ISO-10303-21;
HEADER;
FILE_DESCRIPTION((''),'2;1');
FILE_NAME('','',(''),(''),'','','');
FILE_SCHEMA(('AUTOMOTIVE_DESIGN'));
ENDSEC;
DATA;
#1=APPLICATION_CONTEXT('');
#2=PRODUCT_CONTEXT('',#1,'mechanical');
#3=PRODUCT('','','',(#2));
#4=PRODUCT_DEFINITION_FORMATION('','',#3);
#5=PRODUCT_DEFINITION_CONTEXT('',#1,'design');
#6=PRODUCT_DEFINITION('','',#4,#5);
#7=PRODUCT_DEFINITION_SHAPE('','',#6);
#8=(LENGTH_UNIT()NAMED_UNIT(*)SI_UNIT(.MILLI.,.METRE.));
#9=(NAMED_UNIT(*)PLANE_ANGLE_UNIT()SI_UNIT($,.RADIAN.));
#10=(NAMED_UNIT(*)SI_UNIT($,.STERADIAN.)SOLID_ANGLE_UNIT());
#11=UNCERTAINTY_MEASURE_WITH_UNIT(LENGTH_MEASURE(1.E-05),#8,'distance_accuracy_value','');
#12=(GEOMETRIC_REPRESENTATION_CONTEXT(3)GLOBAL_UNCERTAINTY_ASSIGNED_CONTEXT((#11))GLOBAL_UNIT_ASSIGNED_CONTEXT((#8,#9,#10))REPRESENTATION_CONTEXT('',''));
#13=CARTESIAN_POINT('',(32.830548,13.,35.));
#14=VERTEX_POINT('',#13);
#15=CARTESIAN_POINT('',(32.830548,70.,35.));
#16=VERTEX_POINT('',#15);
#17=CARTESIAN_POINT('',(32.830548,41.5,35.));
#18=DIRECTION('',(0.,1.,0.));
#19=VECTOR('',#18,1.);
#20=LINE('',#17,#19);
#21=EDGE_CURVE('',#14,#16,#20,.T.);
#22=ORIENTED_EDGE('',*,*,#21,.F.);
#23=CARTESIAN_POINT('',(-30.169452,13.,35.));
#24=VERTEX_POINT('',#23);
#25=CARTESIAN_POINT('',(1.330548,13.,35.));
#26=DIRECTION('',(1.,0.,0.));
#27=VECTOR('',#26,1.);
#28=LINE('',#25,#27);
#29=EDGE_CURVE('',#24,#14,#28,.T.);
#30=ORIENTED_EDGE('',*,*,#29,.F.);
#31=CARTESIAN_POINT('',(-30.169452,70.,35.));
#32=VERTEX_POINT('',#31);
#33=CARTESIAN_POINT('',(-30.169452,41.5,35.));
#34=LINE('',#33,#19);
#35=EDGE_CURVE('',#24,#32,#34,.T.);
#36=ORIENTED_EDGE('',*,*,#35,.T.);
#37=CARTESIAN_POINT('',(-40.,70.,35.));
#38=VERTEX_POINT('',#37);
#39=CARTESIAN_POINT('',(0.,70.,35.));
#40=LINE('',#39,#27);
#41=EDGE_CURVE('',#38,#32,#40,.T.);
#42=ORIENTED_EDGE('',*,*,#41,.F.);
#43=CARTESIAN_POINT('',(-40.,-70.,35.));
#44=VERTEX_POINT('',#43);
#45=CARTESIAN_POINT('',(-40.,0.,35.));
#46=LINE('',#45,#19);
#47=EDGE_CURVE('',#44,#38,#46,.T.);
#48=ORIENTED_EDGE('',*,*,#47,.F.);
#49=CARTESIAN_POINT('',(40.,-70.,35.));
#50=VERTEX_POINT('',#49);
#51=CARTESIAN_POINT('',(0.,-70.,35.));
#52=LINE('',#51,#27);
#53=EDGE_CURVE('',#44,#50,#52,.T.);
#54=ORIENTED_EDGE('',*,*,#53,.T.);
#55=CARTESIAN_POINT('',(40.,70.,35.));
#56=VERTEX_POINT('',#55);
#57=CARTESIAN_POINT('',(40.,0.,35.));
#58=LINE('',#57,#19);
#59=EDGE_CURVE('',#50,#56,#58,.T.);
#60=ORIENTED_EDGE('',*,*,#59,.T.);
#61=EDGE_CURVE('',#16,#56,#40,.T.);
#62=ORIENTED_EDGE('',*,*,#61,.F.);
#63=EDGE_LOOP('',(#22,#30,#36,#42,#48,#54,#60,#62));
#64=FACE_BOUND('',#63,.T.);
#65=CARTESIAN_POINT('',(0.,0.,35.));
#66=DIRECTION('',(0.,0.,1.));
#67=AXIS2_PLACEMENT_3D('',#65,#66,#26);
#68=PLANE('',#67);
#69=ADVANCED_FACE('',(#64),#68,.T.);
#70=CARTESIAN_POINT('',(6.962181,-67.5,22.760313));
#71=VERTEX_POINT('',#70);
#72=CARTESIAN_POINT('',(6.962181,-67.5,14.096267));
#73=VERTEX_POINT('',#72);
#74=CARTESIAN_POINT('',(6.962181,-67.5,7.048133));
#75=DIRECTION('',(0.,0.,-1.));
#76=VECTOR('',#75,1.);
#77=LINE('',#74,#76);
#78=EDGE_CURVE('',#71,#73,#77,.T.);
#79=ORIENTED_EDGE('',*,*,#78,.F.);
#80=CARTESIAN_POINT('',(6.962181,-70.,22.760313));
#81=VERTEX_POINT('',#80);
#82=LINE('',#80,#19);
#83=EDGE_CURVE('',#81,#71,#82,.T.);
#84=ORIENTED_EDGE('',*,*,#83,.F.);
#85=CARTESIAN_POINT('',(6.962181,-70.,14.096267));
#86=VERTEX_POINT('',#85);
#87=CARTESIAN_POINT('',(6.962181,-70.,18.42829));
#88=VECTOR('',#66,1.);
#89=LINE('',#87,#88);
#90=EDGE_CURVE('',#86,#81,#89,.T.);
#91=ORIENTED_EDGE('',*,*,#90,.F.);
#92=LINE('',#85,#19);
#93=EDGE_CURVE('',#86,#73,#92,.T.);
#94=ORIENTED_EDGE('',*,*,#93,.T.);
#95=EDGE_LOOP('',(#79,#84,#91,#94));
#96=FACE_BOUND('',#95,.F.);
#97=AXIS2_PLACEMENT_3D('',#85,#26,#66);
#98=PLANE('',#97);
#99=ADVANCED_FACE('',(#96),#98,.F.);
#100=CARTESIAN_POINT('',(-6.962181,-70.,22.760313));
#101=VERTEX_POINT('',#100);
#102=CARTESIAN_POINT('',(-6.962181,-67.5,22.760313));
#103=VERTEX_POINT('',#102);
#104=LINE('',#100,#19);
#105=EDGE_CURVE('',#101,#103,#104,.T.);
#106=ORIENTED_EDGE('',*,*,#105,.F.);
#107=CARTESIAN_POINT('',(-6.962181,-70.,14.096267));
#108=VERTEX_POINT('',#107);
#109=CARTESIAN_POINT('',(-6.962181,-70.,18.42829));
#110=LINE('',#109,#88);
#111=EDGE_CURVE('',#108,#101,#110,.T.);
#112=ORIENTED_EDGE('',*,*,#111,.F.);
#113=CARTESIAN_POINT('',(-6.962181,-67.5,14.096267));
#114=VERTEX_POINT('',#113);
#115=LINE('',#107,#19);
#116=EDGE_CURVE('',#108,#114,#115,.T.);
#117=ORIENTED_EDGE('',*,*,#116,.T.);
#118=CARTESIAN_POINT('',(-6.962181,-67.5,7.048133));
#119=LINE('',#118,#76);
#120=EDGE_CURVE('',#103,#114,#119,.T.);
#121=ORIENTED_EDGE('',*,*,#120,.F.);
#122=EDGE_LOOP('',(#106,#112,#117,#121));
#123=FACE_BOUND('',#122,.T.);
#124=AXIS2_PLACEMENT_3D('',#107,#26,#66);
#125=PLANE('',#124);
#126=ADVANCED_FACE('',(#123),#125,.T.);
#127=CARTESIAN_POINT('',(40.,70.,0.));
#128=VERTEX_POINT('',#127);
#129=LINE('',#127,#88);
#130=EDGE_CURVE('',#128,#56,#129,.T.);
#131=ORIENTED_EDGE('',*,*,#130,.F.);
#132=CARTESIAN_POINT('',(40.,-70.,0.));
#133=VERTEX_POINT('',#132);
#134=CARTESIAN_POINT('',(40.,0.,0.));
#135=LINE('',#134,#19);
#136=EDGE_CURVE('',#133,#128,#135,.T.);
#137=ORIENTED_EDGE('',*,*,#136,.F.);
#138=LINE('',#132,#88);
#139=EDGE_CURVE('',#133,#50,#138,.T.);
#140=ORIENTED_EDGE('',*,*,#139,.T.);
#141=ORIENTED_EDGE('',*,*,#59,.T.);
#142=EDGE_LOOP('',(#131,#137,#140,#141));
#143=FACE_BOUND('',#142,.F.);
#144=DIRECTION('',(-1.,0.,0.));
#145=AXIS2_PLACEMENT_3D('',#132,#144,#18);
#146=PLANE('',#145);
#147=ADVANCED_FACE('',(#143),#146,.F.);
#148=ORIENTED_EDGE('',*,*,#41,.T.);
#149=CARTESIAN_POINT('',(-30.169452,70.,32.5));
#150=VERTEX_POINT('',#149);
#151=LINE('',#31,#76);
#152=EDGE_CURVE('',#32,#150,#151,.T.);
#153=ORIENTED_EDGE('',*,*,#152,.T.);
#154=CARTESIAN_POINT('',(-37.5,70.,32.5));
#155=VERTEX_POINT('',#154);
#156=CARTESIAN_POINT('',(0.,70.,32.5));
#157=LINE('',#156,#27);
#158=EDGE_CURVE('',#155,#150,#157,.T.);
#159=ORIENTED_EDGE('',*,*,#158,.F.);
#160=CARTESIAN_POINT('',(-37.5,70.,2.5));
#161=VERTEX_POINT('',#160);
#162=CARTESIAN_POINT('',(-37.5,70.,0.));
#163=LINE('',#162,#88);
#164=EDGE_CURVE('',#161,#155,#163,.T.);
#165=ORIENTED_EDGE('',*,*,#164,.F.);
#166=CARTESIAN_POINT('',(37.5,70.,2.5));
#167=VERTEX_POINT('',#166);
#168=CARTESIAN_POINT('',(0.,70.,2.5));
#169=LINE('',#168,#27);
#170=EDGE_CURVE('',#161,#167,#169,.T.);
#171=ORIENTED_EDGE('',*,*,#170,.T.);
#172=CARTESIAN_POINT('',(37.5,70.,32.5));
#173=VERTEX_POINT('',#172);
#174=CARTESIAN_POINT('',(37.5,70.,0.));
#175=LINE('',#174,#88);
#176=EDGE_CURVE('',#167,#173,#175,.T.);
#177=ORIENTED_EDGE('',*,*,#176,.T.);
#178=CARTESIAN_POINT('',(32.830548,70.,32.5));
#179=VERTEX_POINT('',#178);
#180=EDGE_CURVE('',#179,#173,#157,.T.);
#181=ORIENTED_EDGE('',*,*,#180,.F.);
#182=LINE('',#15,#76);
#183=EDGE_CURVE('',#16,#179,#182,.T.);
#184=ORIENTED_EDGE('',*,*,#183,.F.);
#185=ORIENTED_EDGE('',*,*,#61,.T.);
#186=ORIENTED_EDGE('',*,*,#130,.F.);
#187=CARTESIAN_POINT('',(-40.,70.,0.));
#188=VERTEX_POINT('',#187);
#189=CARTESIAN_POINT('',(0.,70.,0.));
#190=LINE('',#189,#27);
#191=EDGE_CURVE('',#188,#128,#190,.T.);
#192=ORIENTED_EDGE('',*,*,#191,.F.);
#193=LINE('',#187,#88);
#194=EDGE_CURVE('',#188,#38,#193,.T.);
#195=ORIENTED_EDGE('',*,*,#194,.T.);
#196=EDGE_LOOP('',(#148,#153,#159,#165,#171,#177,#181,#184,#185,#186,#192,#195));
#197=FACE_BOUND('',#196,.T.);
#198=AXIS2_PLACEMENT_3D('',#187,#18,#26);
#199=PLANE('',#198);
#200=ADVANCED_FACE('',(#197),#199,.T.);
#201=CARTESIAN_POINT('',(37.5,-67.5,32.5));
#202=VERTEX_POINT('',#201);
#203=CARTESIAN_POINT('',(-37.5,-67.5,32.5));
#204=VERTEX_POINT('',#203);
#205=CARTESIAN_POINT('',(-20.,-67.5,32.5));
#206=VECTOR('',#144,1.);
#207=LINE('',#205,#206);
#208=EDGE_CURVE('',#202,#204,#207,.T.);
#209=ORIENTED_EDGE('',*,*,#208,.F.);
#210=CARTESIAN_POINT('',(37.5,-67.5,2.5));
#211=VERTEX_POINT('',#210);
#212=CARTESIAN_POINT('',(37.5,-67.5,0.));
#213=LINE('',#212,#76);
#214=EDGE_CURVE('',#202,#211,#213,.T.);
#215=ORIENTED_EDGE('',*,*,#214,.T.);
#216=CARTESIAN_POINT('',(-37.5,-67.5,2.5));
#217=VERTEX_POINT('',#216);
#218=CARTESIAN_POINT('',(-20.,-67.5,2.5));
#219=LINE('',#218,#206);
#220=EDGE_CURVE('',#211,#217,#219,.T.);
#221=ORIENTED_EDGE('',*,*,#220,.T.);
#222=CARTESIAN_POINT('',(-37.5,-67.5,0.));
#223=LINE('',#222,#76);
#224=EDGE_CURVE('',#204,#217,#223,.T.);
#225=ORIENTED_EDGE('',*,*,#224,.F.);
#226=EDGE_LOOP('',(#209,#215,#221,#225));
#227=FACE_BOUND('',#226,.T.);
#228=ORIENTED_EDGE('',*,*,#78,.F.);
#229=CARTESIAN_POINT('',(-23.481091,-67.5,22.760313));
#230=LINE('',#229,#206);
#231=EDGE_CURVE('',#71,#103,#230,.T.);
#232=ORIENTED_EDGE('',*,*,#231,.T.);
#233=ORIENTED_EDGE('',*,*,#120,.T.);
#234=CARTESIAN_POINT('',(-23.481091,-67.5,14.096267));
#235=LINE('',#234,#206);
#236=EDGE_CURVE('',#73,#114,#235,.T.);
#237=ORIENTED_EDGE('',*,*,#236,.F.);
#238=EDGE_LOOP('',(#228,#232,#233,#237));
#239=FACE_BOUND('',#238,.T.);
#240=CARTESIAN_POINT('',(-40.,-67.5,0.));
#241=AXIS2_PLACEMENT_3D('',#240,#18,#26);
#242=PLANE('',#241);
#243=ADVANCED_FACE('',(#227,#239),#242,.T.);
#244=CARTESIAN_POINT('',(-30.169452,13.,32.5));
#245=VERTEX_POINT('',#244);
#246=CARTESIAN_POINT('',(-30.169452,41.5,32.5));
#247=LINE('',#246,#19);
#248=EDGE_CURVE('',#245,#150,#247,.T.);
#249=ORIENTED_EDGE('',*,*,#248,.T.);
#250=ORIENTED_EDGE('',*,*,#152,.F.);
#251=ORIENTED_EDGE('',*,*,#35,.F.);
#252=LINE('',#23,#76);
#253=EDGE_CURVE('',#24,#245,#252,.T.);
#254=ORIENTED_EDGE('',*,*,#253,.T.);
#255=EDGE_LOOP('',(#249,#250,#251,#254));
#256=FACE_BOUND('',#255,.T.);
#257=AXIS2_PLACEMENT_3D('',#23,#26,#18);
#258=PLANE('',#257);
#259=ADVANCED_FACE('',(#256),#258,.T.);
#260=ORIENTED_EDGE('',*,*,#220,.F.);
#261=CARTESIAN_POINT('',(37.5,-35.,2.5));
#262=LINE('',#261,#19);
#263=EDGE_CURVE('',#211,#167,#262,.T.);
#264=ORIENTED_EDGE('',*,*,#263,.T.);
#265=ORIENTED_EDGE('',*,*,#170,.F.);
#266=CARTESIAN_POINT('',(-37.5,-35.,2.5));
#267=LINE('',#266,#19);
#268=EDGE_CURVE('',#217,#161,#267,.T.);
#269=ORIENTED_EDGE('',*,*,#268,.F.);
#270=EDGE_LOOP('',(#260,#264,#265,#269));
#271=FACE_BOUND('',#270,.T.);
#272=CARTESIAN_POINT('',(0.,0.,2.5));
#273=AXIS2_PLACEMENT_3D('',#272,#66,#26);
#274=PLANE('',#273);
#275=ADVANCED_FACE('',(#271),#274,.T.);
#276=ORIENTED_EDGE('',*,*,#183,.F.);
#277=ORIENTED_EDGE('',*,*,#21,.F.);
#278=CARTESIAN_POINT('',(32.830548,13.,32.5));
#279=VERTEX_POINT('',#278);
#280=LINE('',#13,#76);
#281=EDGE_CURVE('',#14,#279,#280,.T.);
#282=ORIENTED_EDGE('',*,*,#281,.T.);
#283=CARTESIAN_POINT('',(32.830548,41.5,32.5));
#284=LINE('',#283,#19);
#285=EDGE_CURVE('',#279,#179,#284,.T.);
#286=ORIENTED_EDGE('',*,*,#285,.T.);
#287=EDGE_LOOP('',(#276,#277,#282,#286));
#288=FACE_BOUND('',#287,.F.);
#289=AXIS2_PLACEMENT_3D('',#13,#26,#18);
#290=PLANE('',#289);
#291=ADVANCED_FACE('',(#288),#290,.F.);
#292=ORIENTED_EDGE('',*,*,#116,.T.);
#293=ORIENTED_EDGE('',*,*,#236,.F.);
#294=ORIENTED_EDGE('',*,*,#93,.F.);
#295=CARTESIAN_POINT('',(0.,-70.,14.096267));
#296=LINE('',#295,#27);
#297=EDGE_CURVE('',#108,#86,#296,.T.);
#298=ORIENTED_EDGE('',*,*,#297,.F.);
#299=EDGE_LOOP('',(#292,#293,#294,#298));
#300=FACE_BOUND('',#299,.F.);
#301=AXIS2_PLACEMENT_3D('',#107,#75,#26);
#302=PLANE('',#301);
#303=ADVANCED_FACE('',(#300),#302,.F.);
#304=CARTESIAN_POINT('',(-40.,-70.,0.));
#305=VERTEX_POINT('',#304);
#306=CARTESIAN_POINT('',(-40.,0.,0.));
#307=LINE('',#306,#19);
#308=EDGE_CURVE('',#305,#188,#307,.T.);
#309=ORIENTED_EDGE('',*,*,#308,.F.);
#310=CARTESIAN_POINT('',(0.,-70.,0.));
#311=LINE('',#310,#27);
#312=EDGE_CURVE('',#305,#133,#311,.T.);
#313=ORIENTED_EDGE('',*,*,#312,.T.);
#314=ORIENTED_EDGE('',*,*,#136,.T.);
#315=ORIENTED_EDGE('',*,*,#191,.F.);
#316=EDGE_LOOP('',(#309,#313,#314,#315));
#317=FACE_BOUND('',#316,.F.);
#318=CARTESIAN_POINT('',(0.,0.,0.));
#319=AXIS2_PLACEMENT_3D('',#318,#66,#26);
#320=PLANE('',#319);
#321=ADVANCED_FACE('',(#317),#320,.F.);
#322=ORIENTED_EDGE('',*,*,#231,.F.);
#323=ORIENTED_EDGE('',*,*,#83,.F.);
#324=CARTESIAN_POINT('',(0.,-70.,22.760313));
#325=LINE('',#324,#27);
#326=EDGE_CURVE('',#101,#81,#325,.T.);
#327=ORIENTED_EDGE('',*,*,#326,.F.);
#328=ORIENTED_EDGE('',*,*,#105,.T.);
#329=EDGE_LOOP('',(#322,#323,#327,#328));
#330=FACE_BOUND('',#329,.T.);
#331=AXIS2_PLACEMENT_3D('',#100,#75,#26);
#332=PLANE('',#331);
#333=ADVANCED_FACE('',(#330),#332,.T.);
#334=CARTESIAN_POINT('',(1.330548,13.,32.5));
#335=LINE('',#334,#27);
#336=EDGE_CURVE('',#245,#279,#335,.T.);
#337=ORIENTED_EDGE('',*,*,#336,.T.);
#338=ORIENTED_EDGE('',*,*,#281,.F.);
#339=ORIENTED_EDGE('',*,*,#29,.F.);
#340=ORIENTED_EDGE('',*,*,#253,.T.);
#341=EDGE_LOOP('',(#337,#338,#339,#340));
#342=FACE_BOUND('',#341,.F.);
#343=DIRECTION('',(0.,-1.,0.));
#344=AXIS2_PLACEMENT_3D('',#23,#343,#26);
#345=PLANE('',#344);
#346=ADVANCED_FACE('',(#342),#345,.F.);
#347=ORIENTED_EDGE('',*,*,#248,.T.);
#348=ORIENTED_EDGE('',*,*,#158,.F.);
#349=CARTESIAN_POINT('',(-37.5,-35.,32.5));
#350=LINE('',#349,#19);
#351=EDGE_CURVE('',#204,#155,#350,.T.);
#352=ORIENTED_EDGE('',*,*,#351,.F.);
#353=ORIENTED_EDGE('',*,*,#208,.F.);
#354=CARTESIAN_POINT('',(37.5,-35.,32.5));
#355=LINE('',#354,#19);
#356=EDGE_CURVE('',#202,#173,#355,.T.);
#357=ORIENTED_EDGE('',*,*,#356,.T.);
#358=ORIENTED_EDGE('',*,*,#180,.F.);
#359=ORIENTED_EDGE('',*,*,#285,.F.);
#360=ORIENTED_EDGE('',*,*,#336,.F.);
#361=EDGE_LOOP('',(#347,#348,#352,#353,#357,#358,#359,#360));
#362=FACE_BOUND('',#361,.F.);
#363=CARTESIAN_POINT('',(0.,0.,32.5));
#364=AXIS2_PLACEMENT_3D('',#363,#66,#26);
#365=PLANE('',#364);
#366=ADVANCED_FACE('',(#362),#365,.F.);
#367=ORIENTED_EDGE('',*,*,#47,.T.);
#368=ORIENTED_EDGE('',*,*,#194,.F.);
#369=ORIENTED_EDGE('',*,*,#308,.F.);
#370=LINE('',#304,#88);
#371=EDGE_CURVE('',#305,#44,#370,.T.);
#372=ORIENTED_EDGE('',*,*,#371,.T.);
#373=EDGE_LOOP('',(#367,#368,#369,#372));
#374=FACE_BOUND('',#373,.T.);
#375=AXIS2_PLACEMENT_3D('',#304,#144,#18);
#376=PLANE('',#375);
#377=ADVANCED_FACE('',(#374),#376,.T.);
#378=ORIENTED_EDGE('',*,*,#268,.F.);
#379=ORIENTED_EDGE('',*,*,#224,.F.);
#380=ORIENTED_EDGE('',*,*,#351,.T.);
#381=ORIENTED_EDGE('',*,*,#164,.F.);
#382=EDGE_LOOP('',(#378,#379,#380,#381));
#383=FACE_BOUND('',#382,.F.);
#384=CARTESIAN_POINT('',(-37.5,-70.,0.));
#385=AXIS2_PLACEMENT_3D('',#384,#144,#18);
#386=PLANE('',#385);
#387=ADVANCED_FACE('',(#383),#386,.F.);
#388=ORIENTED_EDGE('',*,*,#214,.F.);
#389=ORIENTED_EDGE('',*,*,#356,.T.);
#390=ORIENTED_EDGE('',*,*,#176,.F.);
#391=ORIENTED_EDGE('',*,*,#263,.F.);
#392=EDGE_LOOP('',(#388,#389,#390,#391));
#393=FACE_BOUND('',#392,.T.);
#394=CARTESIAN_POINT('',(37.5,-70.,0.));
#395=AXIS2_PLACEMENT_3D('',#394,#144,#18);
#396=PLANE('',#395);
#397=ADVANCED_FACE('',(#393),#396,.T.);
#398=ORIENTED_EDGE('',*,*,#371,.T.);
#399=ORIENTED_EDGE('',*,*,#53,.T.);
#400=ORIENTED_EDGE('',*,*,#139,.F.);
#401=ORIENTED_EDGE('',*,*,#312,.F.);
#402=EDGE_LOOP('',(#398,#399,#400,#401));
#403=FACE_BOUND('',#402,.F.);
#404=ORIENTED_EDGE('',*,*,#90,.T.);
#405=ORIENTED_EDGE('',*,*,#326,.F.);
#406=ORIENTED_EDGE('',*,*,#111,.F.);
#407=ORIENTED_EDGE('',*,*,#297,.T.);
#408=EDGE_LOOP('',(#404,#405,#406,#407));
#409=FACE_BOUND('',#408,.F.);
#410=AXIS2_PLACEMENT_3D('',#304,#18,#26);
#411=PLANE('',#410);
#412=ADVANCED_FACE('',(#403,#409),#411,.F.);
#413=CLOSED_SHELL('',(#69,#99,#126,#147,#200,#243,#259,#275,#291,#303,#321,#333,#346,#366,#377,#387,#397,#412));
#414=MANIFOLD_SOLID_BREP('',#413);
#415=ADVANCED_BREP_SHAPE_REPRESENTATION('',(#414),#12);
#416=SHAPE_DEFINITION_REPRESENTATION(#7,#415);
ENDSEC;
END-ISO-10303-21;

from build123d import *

# Parameters (mm, degrees)
F0_W     = 80
F0_H     = 140
F1_DEPTH = 35
F2_T     = -2.5
F3_W     = 63
F3_H     = 57
F4_DEPTH = 2.5
F5_W     = 13.924362
F5_H     = 8.664047
F6_DEPTH = 140.001


with BuildPart() as f1:
    # F0 (on Top) → F1 (new body)
    with BuildSketch(Plane.XY):
        Rectangle(F0_W, F0_H)
    extrude(amount=F1_DEPTH)

    # F2
    f2_openings = [f1.faces().sort_by_distance(p)[0] for p in [
        (0, 70, 17.5),
    ]]
    offset(amount=F2_T, openings=f2_openings)

    # F3 (on face) → F4 (cut)
    with BuildSketch(Plane.XY.offset(35)):
        with Locations((1.330548, 41.5)):
            Rectangle(F3_W, F3_H)
    extrude(amount=-F4_DEPTH, mode=Mode.SUBTRACT)

    # F5 (on face) → F6 (cut, through all)
    with BuildSketch(Plane.XZ.offset(70)):
        with Locations((0, 18.42829)):
            Rectangle(F5_W, F5_H)
    extrude(amount=-F6_DEPTH, mode=Mode.SUBTRACT)


solid = f1.part
